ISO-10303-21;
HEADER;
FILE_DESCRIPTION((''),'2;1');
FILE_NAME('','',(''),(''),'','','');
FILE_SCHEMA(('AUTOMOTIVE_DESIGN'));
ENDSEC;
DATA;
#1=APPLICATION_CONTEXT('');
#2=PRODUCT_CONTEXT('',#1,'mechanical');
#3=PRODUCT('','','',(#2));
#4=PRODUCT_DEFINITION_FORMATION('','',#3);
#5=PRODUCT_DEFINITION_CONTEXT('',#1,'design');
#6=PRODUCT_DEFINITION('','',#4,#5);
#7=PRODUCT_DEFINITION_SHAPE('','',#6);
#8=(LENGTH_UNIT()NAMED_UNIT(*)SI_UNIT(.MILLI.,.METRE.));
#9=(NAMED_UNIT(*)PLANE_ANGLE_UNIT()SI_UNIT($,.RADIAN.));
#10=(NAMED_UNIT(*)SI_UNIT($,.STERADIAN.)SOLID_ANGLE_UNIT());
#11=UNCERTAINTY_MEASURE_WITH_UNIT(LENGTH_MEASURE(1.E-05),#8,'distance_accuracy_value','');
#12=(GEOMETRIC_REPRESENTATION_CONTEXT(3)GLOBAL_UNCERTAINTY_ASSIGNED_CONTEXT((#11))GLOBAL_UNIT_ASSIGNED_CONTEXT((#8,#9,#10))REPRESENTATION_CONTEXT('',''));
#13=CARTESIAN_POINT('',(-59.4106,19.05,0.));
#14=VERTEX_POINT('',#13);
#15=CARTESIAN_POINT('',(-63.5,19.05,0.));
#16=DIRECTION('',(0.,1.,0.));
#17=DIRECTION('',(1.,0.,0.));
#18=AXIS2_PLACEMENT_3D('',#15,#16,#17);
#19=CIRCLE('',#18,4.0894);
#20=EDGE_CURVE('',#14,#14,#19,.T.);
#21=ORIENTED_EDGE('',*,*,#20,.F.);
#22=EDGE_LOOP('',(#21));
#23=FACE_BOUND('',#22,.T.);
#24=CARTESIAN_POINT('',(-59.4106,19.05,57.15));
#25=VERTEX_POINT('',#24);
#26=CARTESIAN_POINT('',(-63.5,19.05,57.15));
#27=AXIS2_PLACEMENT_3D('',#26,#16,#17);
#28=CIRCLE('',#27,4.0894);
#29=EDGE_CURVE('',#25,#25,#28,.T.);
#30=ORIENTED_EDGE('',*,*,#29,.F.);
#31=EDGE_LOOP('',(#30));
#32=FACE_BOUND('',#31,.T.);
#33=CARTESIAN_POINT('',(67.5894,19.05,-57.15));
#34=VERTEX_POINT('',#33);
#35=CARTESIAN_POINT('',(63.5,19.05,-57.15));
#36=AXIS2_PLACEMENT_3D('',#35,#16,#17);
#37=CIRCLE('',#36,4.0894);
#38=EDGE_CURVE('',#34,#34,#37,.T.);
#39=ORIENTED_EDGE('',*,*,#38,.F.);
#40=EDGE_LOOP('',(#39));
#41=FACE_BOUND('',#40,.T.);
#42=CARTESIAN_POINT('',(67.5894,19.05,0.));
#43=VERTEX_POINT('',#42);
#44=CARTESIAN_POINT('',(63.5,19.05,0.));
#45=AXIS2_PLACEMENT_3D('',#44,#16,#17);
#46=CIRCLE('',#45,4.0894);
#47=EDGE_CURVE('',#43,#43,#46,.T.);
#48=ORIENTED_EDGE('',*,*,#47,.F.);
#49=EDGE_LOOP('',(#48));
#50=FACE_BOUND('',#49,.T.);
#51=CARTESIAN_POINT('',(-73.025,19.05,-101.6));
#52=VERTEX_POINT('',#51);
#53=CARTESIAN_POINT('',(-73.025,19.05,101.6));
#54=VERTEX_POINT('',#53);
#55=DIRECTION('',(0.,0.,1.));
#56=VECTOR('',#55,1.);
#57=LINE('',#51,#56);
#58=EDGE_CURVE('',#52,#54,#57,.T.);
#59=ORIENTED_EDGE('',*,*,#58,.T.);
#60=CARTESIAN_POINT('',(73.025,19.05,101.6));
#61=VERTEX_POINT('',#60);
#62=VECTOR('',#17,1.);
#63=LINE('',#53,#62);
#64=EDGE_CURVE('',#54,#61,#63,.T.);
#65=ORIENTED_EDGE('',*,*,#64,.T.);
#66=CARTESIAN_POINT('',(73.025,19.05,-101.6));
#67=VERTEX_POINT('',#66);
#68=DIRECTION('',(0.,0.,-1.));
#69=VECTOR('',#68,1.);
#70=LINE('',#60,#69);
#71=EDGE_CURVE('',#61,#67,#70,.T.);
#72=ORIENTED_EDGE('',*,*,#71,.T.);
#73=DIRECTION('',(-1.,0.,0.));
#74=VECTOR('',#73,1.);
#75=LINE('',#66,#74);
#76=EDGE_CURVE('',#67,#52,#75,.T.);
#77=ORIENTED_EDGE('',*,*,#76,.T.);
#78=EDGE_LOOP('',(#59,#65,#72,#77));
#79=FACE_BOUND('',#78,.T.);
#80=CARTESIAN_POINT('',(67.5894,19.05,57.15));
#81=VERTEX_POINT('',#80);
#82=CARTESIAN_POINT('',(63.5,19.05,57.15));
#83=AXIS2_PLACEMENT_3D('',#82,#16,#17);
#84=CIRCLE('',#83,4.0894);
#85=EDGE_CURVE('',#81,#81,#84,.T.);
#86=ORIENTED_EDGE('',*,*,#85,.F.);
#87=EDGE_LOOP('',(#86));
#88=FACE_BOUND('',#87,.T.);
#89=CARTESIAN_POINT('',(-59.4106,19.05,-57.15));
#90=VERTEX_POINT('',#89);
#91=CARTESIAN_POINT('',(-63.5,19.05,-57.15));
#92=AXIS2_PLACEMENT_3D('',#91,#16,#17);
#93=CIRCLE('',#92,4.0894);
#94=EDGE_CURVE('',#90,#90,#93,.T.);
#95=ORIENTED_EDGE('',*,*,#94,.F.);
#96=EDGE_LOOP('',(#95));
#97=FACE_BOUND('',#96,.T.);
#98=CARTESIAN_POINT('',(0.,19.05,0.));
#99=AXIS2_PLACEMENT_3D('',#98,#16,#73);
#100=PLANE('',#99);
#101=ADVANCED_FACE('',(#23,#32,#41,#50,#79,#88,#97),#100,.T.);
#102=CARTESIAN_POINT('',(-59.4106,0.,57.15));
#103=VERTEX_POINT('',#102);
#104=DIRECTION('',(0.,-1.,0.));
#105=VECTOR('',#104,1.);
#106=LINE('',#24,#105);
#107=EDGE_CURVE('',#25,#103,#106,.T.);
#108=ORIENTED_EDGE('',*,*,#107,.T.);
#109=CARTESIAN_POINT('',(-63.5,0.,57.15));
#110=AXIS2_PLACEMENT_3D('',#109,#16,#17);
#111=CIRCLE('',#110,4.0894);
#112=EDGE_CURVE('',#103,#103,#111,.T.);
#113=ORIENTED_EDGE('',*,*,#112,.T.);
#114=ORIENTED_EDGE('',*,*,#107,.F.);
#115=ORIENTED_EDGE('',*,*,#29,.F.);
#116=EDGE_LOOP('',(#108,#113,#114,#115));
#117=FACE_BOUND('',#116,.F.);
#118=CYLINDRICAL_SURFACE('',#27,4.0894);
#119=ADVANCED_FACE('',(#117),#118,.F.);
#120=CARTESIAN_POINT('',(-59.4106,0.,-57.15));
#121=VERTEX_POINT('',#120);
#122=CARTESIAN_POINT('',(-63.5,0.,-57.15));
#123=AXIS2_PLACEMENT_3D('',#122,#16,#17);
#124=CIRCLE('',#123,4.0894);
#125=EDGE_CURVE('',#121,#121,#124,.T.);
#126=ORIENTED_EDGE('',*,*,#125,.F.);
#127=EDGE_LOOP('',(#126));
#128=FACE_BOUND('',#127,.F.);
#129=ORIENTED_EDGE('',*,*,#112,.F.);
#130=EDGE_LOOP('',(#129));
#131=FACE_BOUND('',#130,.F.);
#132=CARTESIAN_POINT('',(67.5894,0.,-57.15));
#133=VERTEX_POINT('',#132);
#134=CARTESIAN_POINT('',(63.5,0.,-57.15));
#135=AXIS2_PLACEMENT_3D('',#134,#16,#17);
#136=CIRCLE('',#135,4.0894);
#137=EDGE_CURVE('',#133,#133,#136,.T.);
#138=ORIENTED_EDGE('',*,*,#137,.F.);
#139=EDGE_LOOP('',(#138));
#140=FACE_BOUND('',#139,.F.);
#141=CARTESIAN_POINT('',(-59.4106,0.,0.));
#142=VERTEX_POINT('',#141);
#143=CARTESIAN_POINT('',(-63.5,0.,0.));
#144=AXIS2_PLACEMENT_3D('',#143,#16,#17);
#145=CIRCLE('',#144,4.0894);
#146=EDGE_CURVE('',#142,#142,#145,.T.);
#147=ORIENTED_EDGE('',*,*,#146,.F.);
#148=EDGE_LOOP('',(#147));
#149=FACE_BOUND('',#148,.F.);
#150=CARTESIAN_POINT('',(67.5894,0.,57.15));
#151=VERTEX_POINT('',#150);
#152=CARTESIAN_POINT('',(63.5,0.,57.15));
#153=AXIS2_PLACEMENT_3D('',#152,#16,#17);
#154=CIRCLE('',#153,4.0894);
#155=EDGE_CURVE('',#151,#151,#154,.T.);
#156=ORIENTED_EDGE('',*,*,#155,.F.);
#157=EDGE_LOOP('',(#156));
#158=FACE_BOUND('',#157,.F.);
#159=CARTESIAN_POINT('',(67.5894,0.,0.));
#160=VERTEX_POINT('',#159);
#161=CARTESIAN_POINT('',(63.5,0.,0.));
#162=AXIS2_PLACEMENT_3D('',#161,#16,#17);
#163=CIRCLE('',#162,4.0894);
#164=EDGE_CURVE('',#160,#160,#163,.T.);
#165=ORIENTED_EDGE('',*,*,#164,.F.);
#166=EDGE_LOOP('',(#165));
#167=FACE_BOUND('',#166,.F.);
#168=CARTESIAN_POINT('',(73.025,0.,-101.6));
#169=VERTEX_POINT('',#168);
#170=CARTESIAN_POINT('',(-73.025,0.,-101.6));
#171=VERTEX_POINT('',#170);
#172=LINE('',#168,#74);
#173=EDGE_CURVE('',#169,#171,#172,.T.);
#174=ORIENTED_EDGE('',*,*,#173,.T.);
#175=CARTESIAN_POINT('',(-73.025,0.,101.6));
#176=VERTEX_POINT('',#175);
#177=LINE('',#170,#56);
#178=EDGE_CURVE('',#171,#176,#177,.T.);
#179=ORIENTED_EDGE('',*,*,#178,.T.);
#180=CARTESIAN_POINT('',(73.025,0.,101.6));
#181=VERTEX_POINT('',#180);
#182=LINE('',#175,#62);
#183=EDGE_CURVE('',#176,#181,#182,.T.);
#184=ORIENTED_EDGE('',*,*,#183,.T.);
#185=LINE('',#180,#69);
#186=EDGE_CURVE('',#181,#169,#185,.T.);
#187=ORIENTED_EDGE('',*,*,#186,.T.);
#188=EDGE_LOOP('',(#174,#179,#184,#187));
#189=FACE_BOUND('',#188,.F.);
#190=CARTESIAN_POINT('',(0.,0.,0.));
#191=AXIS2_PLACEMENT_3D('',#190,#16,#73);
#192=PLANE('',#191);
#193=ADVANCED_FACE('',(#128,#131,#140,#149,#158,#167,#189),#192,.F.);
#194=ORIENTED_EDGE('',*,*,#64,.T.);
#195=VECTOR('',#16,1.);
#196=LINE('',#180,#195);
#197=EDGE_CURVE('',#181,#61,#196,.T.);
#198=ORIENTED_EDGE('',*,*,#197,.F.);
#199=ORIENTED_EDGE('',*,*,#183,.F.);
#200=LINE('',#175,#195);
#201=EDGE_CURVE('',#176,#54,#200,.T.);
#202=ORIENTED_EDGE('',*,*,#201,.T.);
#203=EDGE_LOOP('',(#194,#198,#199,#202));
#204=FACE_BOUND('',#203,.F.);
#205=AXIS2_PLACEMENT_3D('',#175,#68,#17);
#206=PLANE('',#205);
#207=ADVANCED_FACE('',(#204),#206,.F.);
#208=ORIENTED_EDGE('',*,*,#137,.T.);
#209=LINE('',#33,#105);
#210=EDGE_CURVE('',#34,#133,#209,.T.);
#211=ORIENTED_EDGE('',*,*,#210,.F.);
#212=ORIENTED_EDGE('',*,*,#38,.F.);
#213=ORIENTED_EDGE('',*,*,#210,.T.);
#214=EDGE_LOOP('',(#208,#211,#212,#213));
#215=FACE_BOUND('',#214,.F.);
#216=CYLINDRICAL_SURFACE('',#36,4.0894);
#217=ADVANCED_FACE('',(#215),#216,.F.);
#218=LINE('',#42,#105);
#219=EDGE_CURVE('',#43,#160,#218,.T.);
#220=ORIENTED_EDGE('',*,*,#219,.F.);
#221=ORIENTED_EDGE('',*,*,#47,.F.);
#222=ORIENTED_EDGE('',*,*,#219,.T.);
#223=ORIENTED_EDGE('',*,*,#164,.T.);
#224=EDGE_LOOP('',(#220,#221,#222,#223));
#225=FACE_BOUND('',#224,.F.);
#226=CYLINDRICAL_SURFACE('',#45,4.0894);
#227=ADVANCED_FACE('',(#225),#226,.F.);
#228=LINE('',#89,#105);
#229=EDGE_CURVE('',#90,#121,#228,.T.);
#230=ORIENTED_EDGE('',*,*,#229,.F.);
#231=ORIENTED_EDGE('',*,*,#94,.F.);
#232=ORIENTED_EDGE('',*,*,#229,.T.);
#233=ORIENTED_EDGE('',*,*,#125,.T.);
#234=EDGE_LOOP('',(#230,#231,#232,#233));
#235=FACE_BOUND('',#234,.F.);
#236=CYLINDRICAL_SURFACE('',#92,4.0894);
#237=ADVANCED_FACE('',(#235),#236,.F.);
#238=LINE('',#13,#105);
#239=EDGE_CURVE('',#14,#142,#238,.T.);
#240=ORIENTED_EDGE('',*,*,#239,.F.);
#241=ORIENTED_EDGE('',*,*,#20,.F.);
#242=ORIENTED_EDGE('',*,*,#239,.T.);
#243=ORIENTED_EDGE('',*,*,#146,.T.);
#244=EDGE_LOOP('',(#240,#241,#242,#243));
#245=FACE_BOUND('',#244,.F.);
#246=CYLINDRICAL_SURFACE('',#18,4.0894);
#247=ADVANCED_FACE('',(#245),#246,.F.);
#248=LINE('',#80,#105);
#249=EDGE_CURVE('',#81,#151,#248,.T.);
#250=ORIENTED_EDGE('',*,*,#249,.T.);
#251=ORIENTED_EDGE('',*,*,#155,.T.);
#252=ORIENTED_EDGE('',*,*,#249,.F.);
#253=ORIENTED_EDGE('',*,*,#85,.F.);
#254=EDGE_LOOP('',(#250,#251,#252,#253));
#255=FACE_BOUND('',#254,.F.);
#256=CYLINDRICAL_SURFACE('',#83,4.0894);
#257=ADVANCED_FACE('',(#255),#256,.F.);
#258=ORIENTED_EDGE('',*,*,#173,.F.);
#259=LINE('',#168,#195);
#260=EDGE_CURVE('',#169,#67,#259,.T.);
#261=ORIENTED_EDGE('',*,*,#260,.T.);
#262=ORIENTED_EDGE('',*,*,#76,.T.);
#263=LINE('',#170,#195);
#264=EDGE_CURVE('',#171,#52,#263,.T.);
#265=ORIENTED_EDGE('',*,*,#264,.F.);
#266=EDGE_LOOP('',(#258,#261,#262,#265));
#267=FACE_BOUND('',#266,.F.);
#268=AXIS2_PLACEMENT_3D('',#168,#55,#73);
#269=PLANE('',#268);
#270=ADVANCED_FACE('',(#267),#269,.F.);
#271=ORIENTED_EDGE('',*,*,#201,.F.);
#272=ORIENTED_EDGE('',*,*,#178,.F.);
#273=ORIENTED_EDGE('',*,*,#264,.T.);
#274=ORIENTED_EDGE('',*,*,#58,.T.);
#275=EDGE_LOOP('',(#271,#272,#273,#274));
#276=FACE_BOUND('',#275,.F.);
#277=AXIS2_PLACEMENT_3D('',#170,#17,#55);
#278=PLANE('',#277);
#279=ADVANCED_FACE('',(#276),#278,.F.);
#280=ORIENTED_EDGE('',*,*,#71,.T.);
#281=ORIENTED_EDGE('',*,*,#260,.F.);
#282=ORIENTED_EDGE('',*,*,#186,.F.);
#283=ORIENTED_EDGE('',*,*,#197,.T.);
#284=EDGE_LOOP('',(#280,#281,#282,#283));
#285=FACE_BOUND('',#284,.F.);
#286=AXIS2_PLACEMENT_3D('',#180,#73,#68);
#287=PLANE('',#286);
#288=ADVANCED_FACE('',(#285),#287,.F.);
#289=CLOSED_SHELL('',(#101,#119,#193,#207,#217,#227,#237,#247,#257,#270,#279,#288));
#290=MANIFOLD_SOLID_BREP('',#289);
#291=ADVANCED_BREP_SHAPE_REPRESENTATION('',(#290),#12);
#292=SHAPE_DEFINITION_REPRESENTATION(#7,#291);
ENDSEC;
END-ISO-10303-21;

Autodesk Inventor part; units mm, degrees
ref_plane "YZ Plane" through (0, 0, 0) normal (1, 0, 0) x (0, 1, 0)
ref_plane "XZ Plane" through (0, 0, 0) normal (0, 1, 0) x (-1, 0, 0)
ref_plane "XY Plane" through (0, 0, 0) normal (0, 0, 1) x (1, 0, 0)
sketch "Sketch1" plane through (0, 0, 0) normal (0, 1, 0) x (-1, 0, 0)
  line L0 (73.025, 101.6) -> (-73.025, 101.6)
  line L1 (-73.025, 101.6) -> (-73.025, -101.6)
  line L2 (-73.025, -101.6) -> (73.025, -101.6)
  line L3 (73.025, -101.6) -> (73.025, 101.6)
  line L4 (73.025, 101.6) -> (-73.025, -101.6) construction
  line L5 (-73.025, 101.6) -> (73.025, -101.6) construction
  point P0 (0, 0)
  dimension "d0" = 146.05
  dimension "d1" = 203.2
extrude "Extrusion1" add sketch "Sketch1" along normal blind 19.05
sketch "Sketch2" plane through (0, 19.05, 0) normal (0, 1, 0) x (1, 0, 0)
  circle A0 centre (-63.5, -57.15) radius 4.0894
  circle A1 centre (-63.5, 0) radius 4.0894
  circle A2 centre (-63.5, 57.15) radius 4.0894
  circle A3 centre (63.5, -57.15) radius 4.0894
  circle A4 centre (63.5, 0) radius 4.0894
  circle A5 centre (63.5, 57.15) radius 4.0894
  line L0 (-73.025, -101.6) -> (73.025, -101.6) projected
  line L1 (73.025, -101.6) -> (73.025, 101.6) projected
  line L2 (-73.025, 101.6) -> (-73.025, -101.6) projected
  point P0 (0, 0)
  dimension "d4" = 8.1788
  dimension "d5" = 8.1788
  dimension "d6" = 8.1788
  dimension "d7" = 8.1788
  dimension "d8" = 8.1788
  dimension "d9" = 8.1788
  dimension "d10" = 44.45
  dimension "d11" = 101.6
  dimension "d12" = 158.75
  dimension "d13" = 44.45
  dimension "d14" = 101.6
  dimension "d15" = 158.75
  dimension "d16" = 9.525
  dimension "d17" = 9.525
  dimension "d18" = 9.525
  dimension "d19" = 9.525
  dimension "d20" = 9.525
  dimension "d21" = 9.525
extrude "Extrusion2" cut sketch "Sketch2" against normal blind 19.05
properties part number "Part_Back"
